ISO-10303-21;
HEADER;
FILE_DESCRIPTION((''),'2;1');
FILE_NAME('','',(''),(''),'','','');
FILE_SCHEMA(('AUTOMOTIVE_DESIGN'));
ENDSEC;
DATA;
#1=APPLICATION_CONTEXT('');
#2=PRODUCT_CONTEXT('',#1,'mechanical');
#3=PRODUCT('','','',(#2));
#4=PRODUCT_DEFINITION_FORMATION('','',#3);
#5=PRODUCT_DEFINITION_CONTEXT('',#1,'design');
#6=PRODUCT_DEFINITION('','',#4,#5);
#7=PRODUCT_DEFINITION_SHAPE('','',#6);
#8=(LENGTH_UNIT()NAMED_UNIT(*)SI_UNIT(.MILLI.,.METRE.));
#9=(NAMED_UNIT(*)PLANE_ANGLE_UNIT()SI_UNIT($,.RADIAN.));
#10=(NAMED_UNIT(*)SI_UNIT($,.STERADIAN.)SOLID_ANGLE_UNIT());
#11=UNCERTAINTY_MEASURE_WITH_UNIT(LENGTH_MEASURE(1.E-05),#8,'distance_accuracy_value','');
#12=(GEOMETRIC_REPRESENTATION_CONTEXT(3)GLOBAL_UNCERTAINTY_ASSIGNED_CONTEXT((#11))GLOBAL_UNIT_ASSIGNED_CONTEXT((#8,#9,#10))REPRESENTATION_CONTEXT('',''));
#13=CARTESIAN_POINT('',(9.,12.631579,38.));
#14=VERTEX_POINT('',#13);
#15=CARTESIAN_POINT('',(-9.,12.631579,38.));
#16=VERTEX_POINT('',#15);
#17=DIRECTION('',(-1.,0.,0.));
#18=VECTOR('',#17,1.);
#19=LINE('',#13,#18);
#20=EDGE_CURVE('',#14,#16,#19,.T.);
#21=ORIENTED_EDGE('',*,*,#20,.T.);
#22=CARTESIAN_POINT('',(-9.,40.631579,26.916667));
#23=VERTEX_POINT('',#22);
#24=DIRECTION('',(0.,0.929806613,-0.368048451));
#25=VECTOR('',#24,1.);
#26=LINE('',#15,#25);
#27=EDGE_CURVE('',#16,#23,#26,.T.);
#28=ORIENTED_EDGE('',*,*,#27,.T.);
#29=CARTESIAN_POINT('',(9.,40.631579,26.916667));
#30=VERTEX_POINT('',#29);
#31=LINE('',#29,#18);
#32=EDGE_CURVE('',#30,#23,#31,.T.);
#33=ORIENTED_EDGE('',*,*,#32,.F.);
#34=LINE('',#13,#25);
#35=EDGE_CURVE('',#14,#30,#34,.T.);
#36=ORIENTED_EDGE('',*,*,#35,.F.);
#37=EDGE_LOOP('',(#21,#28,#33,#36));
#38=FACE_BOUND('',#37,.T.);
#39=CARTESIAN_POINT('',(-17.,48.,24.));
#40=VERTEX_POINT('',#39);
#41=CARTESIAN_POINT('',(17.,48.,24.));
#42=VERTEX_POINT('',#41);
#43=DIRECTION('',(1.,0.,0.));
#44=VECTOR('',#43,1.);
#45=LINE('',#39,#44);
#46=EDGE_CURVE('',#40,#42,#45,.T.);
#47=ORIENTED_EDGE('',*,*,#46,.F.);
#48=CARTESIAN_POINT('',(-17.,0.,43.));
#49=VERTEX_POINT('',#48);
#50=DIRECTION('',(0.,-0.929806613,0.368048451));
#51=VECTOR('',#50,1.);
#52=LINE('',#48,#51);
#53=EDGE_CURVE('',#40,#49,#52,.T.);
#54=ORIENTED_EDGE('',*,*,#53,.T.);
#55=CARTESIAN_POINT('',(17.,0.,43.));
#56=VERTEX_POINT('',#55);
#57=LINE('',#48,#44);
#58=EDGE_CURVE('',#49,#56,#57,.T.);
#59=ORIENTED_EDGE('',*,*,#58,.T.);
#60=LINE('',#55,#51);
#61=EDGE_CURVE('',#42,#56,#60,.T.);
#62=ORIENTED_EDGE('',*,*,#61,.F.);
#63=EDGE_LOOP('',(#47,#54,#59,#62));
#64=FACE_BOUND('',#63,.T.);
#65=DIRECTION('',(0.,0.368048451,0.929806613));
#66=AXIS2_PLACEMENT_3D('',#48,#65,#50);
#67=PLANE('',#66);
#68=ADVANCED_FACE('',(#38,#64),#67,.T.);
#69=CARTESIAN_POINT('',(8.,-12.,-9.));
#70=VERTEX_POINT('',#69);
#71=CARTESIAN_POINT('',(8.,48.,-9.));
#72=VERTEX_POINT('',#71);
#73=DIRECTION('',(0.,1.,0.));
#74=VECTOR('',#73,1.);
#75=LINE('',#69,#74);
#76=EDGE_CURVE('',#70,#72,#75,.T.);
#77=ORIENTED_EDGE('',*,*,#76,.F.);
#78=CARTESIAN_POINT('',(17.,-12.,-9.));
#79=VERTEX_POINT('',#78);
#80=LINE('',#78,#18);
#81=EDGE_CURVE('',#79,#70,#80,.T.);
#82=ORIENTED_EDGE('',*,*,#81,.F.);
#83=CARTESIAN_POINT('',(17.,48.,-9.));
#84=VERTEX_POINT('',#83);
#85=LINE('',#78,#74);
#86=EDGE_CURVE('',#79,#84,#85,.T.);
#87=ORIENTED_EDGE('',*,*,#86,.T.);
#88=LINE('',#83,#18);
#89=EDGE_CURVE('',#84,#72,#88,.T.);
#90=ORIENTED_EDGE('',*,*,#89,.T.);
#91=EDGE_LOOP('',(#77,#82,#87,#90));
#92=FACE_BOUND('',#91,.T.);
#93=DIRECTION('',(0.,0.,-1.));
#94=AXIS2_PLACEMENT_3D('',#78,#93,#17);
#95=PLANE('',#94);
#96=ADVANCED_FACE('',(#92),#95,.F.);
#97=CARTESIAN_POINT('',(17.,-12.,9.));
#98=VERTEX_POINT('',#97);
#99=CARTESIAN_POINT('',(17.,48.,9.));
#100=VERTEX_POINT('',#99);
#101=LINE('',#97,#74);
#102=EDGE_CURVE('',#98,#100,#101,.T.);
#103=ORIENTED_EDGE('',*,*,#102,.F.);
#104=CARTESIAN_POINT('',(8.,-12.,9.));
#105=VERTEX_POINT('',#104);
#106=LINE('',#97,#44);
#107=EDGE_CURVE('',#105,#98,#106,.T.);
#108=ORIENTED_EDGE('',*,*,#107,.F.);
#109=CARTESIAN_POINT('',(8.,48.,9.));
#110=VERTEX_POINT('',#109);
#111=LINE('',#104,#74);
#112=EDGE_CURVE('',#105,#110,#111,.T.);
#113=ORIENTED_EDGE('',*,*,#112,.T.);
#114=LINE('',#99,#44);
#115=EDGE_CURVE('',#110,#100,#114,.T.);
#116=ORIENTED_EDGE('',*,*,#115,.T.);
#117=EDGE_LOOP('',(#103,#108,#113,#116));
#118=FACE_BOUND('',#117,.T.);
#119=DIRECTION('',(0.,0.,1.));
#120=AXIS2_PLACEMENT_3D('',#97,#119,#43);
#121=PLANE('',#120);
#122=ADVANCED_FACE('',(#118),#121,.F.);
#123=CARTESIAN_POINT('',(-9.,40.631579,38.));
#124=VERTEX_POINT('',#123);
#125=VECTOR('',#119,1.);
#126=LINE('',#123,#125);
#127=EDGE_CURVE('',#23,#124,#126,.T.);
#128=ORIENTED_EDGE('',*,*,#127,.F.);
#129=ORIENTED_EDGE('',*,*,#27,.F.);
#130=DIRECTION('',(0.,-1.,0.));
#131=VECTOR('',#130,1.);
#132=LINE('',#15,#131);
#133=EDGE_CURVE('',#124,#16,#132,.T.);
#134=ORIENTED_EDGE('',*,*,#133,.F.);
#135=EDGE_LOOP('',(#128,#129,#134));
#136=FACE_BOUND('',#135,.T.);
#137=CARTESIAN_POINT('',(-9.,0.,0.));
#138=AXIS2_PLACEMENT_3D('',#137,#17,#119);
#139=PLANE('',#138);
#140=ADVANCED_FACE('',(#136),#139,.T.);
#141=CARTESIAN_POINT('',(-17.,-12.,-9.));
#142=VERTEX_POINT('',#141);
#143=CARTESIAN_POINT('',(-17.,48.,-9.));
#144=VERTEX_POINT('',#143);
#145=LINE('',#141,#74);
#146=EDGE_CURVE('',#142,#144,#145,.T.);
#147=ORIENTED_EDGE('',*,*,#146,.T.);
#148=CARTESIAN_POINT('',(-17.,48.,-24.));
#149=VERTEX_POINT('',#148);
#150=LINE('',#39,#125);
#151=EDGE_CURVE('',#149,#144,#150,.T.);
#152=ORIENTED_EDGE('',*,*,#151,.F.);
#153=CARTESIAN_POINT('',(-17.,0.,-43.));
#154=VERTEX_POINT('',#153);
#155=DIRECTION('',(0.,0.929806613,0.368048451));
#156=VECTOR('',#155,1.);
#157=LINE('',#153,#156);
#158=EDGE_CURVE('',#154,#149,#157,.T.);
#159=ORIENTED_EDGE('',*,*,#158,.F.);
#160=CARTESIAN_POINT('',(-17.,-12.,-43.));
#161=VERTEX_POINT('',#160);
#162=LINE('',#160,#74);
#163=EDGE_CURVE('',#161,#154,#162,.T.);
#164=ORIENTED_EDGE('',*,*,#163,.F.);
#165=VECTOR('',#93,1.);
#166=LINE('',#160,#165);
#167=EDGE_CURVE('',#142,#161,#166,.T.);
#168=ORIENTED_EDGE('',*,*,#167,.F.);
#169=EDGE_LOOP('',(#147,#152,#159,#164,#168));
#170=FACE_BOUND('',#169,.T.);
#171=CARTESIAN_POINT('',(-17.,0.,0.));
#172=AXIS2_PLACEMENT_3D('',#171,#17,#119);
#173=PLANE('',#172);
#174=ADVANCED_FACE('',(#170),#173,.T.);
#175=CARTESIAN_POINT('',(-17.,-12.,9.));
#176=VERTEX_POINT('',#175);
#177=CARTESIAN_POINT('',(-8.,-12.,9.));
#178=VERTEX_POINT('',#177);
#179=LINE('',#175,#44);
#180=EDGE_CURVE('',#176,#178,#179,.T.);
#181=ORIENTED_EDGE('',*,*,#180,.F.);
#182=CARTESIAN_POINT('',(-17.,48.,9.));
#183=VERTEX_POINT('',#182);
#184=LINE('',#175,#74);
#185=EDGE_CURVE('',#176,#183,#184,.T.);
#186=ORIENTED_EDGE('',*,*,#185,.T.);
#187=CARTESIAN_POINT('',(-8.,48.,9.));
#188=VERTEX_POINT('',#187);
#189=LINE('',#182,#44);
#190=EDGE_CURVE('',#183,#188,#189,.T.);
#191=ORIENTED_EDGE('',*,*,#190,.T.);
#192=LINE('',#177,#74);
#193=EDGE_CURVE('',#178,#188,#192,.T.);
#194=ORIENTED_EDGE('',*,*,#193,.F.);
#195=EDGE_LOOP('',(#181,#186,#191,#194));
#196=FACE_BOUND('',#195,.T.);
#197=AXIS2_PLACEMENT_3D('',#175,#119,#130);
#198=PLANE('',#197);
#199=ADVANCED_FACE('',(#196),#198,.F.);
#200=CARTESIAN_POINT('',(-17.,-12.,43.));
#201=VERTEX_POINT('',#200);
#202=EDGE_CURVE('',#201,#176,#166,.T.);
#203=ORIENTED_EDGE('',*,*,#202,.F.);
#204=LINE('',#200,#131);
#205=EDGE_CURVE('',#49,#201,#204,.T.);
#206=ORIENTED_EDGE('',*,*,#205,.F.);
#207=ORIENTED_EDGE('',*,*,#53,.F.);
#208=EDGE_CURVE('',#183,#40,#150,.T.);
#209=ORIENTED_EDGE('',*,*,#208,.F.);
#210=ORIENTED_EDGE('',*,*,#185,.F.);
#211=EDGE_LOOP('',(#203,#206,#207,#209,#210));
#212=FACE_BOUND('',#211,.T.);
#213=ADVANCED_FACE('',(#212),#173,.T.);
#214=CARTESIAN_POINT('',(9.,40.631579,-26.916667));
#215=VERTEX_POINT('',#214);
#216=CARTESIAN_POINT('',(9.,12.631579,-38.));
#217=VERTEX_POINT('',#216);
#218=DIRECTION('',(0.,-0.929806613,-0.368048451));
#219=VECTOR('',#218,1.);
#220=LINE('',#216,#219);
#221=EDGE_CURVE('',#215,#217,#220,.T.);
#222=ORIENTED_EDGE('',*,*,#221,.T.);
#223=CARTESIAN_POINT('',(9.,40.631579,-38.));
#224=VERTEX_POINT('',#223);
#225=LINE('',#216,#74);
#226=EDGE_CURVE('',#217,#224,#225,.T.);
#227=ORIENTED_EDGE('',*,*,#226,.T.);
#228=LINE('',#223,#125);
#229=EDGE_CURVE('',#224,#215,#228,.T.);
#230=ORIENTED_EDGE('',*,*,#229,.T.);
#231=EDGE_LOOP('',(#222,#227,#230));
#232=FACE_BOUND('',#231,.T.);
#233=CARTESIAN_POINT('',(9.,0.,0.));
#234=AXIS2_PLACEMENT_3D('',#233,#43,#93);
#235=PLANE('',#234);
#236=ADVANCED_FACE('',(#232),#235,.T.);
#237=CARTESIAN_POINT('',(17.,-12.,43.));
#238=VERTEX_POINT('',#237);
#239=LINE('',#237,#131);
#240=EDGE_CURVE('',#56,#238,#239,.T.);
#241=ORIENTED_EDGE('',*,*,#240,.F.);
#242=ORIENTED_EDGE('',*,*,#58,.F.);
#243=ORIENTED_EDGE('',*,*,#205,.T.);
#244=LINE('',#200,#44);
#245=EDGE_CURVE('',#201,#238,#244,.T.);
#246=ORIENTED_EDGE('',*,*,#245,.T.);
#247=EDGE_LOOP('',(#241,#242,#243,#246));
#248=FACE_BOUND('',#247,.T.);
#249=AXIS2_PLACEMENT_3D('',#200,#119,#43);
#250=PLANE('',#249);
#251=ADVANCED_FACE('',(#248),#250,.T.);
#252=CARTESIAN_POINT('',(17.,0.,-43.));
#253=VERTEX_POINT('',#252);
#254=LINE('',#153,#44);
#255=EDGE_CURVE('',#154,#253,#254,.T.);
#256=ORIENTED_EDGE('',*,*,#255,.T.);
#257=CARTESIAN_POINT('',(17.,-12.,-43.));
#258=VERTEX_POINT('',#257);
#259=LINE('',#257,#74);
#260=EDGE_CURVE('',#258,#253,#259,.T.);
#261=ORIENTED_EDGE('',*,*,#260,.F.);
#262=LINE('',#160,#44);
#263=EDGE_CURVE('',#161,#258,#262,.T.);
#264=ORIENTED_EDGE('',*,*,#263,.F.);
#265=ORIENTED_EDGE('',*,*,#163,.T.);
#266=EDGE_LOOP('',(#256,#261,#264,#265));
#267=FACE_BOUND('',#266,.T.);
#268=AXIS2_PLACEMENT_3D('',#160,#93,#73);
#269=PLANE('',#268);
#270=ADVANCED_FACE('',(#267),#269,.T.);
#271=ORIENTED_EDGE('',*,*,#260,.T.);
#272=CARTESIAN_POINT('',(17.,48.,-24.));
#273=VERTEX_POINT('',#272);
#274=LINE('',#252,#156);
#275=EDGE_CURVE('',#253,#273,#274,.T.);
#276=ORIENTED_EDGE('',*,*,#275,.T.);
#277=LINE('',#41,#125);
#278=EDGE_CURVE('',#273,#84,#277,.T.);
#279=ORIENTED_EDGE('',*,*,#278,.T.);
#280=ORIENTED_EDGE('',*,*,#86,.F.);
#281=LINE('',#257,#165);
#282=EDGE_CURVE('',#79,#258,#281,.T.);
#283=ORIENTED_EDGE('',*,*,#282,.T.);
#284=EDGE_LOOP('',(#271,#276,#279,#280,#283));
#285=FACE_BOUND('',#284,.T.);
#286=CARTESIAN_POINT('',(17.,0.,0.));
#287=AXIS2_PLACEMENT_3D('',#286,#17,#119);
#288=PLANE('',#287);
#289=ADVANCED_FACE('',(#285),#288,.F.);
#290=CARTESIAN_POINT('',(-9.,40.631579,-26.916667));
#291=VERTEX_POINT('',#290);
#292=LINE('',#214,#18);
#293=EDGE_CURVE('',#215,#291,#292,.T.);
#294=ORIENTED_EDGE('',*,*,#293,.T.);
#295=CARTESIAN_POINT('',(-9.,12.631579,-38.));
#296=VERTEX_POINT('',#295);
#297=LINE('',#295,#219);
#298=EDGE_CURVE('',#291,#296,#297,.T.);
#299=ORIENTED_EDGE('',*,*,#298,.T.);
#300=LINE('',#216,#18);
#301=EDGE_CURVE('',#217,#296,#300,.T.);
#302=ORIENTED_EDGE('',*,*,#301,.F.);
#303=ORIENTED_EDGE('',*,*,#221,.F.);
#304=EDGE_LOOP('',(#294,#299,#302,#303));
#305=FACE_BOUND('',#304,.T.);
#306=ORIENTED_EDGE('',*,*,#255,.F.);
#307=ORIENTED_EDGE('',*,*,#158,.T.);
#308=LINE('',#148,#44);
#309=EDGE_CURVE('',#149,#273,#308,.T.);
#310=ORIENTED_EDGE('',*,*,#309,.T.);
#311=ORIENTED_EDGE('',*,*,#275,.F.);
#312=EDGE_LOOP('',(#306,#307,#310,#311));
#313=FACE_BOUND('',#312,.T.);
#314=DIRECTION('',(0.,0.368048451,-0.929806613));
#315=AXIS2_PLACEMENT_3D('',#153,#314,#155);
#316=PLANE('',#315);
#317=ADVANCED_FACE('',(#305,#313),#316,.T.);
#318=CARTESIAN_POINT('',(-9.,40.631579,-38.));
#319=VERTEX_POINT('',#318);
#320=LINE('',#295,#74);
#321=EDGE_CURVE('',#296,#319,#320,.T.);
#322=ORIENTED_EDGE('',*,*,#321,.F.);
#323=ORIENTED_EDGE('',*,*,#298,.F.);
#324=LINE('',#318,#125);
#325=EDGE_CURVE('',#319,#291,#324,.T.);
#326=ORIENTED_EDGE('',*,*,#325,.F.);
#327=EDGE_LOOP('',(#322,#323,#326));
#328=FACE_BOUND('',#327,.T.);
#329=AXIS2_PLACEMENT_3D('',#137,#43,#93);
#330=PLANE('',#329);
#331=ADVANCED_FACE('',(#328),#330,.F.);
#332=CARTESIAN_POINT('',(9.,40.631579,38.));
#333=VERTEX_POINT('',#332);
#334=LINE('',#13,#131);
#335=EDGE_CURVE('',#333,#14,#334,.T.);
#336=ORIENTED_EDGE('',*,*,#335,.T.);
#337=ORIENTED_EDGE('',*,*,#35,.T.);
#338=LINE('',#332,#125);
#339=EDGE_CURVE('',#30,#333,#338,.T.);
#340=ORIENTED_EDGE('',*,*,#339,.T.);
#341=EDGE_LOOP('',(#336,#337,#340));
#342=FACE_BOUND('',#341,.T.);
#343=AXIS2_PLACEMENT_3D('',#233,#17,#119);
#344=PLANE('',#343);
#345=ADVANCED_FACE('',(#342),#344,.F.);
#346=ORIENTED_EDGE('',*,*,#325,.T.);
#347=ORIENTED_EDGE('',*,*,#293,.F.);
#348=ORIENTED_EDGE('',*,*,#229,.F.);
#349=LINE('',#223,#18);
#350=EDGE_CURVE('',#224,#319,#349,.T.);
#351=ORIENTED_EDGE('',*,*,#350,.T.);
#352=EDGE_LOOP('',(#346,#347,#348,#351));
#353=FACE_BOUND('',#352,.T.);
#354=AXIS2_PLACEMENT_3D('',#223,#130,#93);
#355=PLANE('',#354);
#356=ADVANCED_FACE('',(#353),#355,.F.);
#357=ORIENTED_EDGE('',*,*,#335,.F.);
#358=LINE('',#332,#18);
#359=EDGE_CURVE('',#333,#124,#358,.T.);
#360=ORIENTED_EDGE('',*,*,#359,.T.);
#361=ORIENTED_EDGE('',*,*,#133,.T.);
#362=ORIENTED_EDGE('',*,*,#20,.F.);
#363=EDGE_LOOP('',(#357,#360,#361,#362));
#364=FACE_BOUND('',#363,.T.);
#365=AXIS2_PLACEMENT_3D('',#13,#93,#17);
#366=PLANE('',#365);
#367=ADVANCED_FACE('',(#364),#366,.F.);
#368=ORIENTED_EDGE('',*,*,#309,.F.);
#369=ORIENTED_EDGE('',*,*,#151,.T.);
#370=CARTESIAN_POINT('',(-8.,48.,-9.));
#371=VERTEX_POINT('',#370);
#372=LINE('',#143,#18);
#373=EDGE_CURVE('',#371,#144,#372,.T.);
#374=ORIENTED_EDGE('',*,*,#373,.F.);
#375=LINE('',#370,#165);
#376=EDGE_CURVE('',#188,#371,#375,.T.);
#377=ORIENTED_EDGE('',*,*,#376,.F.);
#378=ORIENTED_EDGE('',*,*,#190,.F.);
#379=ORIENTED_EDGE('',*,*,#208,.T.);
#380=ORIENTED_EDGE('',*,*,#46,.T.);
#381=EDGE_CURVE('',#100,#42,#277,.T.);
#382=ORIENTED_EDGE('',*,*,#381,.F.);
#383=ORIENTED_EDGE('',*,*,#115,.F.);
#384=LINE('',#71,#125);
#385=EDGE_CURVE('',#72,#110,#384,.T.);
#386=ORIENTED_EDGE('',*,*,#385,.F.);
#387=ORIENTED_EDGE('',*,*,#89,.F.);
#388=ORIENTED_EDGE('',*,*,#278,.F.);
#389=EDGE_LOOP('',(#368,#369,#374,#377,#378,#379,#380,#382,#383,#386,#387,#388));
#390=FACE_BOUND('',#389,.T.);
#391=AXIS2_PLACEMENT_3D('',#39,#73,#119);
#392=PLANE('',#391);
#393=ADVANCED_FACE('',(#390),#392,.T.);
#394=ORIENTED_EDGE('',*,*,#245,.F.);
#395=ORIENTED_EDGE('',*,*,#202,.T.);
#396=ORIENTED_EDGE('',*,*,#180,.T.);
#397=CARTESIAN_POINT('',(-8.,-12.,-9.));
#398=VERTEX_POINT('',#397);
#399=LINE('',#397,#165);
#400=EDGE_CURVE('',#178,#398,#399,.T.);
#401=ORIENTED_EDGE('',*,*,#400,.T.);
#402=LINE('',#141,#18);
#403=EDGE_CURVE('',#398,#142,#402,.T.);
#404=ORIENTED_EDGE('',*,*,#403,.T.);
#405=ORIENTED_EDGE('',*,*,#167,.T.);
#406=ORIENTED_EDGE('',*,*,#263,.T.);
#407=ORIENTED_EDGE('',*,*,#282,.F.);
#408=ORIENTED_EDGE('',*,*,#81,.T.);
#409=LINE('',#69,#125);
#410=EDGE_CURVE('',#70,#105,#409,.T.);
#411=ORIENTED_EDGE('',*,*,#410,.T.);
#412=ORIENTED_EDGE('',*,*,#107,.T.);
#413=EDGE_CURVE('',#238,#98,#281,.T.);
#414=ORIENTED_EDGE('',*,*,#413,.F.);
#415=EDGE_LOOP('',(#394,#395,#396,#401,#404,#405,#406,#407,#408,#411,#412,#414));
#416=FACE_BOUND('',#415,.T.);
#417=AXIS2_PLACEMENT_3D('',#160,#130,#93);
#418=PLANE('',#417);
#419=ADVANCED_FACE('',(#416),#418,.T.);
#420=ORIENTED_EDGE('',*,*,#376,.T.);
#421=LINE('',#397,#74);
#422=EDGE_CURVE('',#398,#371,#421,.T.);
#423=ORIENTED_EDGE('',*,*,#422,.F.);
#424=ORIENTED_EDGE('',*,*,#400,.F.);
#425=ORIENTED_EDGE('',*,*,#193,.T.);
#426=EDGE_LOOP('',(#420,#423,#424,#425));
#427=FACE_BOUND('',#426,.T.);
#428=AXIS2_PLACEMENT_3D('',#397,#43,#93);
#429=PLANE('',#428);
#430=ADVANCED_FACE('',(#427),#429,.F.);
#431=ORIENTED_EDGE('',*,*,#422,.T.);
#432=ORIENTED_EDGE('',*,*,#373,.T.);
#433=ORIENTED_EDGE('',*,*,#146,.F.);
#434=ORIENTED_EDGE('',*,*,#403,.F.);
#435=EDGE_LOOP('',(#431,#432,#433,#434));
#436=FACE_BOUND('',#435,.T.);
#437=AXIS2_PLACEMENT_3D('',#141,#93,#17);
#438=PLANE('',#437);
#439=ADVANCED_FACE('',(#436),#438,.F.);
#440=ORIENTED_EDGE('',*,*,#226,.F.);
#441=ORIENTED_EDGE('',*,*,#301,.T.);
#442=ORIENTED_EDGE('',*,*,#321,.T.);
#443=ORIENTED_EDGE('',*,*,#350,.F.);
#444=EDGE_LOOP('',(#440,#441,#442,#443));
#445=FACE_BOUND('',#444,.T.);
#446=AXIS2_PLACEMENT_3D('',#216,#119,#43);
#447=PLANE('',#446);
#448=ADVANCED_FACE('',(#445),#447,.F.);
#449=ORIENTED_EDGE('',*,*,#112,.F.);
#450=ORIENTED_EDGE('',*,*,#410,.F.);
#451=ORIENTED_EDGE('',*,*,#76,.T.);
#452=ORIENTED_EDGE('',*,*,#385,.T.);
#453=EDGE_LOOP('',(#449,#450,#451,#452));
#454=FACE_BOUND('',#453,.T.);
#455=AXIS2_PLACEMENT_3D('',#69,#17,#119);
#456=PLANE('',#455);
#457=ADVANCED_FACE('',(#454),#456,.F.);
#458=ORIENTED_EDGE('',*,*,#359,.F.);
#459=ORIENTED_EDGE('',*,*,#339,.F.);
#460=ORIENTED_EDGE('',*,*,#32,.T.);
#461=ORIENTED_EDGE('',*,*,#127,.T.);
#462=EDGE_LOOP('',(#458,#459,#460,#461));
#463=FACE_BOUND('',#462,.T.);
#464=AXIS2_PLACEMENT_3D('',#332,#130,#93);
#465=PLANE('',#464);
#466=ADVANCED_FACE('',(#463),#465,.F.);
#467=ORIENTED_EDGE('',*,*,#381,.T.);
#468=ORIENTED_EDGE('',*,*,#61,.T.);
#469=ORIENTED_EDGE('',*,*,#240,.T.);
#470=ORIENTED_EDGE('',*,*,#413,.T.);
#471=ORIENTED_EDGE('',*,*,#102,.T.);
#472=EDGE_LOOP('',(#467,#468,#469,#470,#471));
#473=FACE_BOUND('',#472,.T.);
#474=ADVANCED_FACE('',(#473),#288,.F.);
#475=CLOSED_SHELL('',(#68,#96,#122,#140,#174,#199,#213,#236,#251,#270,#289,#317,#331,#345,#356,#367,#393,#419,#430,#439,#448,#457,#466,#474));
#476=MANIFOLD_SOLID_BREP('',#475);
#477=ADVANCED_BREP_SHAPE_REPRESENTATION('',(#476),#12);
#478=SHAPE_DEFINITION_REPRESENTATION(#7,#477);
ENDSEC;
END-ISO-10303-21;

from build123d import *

# Parameters (mm, degrees)
SALIENTE_EXTRUIR2_DEPTH = 17
CROQUIS3_W              = 9
CROQUIS3_H              = 18
CORTAR_EXTRUIR2_DEPTH   = 76.749587458
SALIENTE_EXTRUIR4_DEPTH = 9


with BuildPart() as part:
    # Croquis1 → Saliente-Extruir2 (new, symmetric)
    with BuildSketch(Plane(origin=(0, 0, 0), x_dir=(0, 0, -1), z_dir=(1, 0, 0))):
        Polygon((43, -12), (-43, -12), (-43, 0), (-24, 48), (24, 48), (43, 0), align=None)
    extrude(amount=SALIENTE_EXTRUIR2_DEPTH, both=True)

    # Croquis3 → Cortar-Extruir2 (cut, through all)
    with BuildSketch(Plane(origin=(0, 48, 0), x_dir=(1, 0, 0), z_dir=(0, 1, 0))):
        with Locations((-12.5, 0)):
            Rectangle(CROQUIS3_W, CROQUIS3_H)
        with Locations((12.5, 0)):
            Rectangle(CROQUIS3_W, CROQUIS3_H)
    extrude(amount=-CORTAR_EXTRUIR2_DEPTH, mode=Mode.SUBTRACT)

    # Croquis4 → Saliente-Extruir4 (add, symmetric)
    with BuildSketch(Plane(origin=(0, 0, 0), x_dir=(0, 0, -1), z_dir=(1, 0, 0))):
        Polygon((-38, 12.631578947), (-38, 40.631578947), (-26.916666667, 40.631578947), align=None)
        Polygon((38, 12.631578947), (38, 40.631578947), (26.916666667, 40.631578947), align=None)
    extrude(amount=SALIENTE_EXTRUIR4_DEPTH, both=True)


solid = part.part
